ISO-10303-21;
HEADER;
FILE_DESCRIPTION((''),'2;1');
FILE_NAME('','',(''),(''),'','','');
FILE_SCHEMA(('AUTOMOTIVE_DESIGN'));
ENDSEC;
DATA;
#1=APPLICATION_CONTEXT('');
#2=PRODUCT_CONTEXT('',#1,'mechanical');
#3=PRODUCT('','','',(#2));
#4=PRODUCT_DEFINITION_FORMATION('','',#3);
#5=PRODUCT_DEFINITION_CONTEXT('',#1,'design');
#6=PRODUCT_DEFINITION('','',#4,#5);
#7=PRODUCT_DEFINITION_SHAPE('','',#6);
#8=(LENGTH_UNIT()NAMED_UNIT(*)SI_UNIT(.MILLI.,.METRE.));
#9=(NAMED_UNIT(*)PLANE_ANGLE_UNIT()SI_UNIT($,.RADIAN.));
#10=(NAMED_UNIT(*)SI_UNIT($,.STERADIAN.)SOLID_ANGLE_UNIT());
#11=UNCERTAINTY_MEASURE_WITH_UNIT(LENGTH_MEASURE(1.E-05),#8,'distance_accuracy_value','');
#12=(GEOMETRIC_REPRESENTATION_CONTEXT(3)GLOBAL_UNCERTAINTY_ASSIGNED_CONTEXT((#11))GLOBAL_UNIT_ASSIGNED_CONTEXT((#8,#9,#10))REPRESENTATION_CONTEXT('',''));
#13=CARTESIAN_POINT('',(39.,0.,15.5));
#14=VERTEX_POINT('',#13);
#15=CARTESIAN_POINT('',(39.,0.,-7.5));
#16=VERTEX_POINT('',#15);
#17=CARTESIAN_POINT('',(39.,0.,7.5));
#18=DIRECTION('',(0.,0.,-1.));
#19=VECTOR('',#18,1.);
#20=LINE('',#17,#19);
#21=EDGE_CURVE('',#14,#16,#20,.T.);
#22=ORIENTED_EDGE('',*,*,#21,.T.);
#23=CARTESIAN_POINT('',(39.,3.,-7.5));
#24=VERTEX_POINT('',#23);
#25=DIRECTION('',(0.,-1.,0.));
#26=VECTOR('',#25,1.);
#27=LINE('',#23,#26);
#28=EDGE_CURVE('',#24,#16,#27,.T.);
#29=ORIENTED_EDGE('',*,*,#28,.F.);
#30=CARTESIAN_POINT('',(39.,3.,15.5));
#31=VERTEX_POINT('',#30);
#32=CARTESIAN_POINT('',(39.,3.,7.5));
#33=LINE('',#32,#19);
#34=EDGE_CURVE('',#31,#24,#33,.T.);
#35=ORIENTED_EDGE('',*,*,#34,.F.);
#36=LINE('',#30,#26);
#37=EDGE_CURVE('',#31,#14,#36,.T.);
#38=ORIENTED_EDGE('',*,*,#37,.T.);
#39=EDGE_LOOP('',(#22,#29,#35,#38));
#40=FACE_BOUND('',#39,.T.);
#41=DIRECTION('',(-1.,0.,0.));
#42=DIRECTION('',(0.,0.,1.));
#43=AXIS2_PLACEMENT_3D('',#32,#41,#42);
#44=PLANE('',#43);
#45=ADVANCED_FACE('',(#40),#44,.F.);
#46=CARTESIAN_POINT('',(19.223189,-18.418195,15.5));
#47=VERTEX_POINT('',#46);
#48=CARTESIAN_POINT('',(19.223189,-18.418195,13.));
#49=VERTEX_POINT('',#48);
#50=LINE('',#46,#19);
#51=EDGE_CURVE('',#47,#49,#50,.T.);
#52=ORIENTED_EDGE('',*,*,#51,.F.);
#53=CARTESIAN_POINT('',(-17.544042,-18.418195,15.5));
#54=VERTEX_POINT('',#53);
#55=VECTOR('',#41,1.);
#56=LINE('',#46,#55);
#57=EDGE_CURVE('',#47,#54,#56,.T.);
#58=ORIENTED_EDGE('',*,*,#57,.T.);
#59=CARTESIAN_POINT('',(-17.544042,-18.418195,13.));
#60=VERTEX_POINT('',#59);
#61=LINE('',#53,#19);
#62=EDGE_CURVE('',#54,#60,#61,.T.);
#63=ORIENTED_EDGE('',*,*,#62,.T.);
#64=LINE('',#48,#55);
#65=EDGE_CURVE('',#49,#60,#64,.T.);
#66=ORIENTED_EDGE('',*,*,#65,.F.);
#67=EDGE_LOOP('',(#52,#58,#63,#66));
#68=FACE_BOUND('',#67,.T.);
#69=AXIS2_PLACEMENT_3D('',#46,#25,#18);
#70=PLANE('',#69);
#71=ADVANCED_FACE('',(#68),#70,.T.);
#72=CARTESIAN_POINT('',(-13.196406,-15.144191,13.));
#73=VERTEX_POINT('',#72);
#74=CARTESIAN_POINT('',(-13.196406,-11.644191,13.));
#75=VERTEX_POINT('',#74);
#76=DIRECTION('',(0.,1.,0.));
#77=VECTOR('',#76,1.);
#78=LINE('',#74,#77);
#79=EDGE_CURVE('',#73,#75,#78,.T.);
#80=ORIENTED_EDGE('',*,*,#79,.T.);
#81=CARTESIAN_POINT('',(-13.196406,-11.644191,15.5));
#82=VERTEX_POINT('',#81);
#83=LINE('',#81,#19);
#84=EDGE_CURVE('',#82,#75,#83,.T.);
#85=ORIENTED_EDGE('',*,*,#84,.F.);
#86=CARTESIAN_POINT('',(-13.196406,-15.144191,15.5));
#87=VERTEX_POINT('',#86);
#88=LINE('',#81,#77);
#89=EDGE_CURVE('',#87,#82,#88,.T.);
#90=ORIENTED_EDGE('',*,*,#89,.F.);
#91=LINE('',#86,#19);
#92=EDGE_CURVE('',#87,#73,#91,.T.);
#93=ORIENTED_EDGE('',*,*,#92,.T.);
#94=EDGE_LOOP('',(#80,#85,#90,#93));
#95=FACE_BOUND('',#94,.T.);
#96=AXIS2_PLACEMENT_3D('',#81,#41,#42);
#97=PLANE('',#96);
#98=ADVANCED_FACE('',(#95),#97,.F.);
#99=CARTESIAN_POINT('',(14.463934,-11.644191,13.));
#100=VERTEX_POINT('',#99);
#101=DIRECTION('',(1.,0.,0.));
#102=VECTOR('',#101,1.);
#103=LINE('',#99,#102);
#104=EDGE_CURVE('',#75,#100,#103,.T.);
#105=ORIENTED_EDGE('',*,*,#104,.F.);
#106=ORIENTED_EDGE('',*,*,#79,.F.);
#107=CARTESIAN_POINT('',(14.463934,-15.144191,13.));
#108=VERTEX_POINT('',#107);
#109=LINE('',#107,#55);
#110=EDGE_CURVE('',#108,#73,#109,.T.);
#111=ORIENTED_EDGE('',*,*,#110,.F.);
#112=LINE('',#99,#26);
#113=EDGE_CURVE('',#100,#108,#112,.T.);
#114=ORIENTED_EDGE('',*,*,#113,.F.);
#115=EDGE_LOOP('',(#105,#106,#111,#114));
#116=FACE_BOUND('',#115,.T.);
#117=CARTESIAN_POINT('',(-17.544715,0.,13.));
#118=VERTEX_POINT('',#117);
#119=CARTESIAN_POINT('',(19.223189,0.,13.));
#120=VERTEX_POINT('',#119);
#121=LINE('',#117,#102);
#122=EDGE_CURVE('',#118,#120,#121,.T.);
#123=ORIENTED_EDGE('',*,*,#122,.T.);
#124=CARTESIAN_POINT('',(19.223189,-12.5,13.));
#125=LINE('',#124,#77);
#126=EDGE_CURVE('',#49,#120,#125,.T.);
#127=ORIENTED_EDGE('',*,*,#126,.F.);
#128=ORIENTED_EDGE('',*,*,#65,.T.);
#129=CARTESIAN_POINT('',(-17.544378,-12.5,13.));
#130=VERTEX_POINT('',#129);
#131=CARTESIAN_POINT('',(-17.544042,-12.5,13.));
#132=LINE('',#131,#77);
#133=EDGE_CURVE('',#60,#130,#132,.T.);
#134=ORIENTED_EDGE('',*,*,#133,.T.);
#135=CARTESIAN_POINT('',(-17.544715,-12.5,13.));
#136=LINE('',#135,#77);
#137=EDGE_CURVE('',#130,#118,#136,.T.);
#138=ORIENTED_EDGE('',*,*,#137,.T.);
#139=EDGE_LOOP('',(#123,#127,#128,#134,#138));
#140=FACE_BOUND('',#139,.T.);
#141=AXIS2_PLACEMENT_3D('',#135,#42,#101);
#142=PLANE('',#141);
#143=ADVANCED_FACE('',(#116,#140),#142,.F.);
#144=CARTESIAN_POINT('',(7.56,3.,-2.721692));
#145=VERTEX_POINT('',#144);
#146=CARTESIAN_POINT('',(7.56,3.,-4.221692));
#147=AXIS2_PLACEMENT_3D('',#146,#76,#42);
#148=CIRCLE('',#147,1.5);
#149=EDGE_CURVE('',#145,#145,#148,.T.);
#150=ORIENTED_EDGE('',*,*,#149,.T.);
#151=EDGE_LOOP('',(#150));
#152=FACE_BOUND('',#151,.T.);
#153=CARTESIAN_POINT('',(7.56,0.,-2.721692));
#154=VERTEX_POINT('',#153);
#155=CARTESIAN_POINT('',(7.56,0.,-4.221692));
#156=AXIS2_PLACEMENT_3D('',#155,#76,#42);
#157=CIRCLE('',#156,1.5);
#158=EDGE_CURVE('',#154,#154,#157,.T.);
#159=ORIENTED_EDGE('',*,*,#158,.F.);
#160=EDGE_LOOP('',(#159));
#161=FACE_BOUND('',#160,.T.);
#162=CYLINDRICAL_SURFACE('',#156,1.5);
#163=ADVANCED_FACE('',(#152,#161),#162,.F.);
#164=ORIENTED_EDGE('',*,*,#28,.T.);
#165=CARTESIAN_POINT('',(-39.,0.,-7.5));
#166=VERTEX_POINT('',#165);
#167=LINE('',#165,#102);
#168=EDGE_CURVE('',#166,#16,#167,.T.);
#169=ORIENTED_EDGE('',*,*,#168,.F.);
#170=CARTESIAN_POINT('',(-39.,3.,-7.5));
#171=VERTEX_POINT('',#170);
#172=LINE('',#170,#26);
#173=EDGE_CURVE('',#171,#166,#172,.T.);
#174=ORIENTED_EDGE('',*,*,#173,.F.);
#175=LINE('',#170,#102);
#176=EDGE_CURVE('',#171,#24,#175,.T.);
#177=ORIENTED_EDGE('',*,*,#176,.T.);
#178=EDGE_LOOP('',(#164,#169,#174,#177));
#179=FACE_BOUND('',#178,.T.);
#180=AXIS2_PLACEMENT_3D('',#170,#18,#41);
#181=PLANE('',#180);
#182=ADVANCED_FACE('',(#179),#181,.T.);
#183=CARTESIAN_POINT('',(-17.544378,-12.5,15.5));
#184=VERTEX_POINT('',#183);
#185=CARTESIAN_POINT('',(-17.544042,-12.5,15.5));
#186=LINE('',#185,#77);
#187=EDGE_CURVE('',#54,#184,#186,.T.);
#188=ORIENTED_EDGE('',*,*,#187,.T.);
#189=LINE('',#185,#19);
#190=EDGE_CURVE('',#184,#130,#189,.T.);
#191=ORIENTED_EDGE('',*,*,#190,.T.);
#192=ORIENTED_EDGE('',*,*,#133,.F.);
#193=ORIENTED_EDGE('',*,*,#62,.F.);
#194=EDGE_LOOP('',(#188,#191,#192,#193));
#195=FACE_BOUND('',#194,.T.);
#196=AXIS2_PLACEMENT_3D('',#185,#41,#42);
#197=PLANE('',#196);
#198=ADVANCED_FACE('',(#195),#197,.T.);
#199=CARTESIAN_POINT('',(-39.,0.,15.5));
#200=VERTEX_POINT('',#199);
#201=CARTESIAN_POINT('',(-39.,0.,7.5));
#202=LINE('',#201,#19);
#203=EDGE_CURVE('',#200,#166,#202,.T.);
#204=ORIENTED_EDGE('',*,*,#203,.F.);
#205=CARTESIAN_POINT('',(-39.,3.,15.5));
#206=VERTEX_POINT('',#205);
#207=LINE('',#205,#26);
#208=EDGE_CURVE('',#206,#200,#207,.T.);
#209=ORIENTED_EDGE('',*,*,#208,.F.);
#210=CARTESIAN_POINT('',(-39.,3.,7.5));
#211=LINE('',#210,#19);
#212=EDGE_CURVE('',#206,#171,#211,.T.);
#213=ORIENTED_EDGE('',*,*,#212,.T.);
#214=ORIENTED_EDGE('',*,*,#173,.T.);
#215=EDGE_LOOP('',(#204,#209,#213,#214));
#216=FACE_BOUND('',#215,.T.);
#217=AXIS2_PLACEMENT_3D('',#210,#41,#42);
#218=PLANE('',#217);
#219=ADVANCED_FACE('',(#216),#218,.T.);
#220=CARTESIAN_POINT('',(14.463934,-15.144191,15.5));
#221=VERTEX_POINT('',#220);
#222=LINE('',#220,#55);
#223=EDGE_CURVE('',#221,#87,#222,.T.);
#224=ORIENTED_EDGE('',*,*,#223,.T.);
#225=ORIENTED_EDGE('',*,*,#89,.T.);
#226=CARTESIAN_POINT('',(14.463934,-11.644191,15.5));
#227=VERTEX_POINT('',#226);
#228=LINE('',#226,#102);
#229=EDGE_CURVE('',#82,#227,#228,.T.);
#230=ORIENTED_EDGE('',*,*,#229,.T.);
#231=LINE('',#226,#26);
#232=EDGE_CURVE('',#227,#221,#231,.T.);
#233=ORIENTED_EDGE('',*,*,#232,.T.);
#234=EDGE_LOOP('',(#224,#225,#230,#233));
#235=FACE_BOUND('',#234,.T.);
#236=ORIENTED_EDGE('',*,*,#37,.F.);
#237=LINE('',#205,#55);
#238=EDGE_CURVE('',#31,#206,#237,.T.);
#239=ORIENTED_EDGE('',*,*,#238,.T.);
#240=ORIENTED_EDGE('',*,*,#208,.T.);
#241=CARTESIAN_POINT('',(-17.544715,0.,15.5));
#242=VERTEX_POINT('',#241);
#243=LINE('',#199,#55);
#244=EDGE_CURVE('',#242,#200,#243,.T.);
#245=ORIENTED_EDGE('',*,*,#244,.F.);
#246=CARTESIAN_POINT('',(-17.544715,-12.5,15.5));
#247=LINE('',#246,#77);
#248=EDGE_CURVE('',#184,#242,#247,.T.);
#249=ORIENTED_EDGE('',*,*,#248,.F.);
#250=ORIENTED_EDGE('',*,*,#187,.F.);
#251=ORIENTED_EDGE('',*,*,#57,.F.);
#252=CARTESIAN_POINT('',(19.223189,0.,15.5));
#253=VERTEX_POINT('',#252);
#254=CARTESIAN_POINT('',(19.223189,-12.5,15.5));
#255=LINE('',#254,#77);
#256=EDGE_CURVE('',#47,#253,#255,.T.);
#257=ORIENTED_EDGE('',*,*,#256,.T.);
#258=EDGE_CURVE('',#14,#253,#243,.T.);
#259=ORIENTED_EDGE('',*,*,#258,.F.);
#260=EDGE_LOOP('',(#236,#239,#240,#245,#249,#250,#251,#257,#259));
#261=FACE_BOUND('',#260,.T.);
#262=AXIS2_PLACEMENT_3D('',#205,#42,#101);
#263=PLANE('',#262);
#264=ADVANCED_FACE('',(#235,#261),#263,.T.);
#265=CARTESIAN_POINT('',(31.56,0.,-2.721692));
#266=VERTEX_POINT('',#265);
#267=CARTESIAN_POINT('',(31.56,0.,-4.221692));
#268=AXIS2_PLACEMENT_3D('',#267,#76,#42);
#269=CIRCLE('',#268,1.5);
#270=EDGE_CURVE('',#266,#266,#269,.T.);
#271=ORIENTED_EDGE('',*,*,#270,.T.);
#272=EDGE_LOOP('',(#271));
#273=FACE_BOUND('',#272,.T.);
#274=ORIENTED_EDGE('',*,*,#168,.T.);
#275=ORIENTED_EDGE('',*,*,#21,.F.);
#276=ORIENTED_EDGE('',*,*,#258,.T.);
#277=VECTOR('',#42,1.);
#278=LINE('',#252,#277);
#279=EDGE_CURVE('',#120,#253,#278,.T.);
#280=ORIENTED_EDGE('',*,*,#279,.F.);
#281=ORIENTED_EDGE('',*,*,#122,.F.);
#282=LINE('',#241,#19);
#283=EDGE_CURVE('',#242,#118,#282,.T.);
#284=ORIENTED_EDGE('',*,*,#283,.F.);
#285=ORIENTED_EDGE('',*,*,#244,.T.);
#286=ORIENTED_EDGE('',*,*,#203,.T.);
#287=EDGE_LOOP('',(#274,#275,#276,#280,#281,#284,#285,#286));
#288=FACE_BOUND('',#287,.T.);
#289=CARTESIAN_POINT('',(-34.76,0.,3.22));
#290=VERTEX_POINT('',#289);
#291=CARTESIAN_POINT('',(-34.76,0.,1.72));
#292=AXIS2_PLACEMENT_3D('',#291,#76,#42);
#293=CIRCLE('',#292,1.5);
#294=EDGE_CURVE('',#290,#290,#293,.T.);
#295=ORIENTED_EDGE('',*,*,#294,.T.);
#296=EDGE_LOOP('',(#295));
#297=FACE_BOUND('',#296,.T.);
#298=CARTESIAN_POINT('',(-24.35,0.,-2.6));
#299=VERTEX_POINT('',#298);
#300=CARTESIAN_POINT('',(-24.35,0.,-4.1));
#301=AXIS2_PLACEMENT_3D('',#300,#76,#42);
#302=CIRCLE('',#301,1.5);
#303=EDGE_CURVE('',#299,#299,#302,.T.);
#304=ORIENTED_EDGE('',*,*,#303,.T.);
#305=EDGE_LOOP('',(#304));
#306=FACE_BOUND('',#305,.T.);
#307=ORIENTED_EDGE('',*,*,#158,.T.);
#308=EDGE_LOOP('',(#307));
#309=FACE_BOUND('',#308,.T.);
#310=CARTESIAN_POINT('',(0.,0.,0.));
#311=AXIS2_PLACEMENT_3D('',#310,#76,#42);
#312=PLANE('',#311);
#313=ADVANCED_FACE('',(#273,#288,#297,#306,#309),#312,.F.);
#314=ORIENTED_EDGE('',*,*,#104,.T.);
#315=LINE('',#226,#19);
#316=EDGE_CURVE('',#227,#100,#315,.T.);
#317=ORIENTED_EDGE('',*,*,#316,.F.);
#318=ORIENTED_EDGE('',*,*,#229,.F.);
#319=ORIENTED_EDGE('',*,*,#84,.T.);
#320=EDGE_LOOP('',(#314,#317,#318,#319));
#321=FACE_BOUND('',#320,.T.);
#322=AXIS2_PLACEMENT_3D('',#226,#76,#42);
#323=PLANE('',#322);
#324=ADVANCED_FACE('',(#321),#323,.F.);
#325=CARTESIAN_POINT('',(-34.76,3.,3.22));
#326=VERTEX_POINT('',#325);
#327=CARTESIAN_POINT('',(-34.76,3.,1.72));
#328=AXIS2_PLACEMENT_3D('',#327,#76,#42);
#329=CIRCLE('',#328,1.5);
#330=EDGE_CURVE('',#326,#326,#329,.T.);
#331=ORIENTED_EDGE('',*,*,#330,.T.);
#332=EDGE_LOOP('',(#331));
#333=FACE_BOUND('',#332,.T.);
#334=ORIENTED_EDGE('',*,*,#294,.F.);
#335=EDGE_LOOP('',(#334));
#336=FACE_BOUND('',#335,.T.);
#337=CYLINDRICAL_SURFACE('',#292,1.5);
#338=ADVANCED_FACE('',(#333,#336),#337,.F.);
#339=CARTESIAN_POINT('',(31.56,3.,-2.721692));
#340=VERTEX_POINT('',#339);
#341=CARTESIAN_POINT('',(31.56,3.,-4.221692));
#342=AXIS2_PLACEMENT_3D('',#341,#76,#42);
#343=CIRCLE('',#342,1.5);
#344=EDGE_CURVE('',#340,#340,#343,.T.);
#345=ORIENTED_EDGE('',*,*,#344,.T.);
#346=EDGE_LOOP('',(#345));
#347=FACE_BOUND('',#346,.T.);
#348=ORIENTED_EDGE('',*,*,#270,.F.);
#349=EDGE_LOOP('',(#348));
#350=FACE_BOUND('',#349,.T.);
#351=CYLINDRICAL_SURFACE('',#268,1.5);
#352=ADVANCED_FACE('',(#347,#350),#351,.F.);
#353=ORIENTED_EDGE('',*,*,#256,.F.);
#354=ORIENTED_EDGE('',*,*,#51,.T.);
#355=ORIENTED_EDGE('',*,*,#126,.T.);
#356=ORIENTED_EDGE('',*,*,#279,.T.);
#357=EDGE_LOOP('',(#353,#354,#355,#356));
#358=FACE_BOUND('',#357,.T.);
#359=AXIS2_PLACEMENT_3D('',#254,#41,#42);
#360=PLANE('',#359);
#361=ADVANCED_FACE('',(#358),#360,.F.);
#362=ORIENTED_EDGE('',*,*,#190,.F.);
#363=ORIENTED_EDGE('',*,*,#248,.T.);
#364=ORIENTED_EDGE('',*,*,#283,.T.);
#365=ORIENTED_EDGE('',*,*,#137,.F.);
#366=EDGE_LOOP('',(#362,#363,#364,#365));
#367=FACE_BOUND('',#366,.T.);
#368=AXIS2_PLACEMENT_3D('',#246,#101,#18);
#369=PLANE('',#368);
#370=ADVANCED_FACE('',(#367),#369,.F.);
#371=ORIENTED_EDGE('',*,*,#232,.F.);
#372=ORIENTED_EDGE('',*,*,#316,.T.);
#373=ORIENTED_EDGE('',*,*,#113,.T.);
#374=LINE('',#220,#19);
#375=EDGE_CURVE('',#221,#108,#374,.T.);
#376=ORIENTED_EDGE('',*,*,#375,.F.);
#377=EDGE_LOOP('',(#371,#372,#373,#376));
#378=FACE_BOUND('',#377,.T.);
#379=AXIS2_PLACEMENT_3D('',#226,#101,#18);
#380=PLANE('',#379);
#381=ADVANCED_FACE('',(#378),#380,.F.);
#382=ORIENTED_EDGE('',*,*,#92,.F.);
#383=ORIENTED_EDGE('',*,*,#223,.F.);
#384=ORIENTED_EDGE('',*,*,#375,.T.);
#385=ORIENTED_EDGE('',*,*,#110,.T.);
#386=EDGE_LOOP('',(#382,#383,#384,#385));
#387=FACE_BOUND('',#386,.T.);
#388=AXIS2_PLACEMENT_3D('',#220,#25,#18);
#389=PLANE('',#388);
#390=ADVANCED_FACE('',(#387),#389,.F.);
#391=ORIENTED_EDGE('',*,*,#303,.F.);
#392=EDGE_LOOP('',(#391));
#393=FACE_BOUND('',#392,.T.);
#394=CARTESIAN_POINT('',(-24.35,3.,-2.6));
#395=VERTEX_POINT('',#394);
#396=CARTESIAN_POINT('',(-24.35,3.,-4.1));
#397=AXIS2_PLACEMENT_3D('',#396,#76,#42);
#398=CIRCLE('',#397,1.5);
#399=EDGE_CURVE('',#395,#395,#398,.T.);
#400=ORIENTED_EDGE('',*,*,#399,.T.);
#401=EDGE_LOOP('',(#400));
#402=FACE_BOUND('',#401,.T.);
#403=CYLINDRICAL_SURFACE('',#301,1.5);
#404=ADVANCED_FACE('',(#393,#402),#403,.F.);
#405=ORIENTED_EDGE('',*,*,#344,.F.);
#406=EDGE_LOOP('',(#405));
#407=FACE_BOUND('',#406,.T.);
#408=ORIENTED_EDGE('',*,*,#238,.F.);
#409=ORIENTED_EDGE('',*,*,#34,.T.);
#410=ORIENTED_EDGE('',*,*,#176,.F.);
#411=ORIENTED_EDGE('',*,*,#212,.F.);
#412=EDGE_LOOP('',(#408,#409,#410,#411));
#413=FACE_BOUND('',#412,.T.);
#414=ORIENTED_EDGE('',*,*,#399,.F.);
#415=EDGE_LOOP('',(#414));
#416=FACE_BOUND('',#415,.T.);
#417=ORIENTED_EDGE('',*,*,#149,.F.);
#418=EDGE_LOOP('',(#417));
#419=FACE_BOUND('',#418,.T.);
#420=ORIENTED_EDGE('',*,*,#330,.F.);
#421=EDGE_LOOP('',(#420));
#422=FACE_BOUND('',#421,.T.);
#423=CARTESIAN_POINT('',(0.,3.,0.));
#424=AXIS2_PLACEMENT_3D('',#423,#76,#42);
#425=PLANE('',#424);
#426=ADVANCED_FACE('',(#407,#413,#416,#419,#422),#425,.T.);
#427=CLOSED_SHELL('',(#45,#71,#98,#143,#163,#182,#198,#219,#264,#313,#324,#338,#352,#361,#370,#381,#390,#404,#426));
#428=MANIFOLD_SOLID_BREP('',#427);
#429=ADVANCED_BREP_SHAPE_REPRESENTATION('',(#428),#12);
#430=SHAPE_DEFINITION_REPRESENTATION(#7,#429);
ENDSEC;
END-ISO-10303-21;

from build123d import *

# Parameters (mm, degrees)
SKETCH_1_W                = 78
SKETCH_1_H                = 15
EXTRUDE_1_DEPTH           = 3
SKETCH_3_R                = 1.5
CUT_EXTRUDE_1_DEPTH       = 3
SKETCH_4_R                = 6
EXTRUDE_2_DEPTH           = 18
SKETCH_5_R                = 4.5
CUT_EXTRUDE_2_DEPTH       = 21
F_2_0MM_2_D               = 3
F_2_0MM_2_DEPTH           = 4.5
F_2_0MM_2_TIP             = 1.5
F_2_0MM_2_ON_FACE_2_D     = 3
F_2_0MM_2_ON_FACE_2_DEPTH = 4.5
F_2_0MM_2_ON_FACE_2_TIP   = 1.5
SKETCH_10_W               = 6
SKETCH_10_H               = 10
CUT_EXTRUDE_3_DEPTH       = 7
SKETCH_13_W               = 19.835687411
SKETCH_13_H               = 21.610205193
CUT_EXTRUDE_4_DEPTH       = 20
SKETCH_14_W               = 11.523038103
SKETCH_14_H               = 10.49031299
EXTRUDE_3_DEPTH           = 3
SKETCH_18_W               = 78
SKETCH_18_H               = 8
EXTRUDE_4_DEPTH           = 3
SKETCH_19_W               = 36.767904102
SKETCH_19_H               = 2.5
EXTRUDE_5_DEPTH           = 12.5
SKETCH_23_R               = 1.65
CUT_EXTRUDE_6_DEPTH       = 12.5
SKETCH_25_W               = 4.236607592
SKETCH_25_H               = 5.36409187
EXTRUDE_7_DEPTH           = 2.5
SKETCH_26_R               = 1.6
CUT_EXTRUDE_7_DEPTH       = 2.5
SKETCH_27_W               = 21.346012392
SKETCH_27_H               = 6.594354882
EXTRUDE_8_DEPTH           = 2.5
SKETCH_28_W               = 36.767231154
SKETCH_28_H               = 5.91819544
EXTRUDE_9_DEPTH           = 2.5
SKETCH_29_W               = 27.660340415
SKETCH_29_H               = 3.5
CUT_EXTRUDE_9_DEPTH       = 2.5


with BuildPart() as part:
    # 草图1 → 凸台-拉伸1 (new body)
    with BuildSketch(Plane(origin=(0, 0, 0), x_dir=(1, 0, 0), z_dir=(0, 1, 0))):
        Rectangle(SKETCH_1_W, SKETCH_1_H)
    extrude(amount=EXTRUDE_1_DEPTH)

    # 草图3 → 切除-拉伸1 (cut)
    with BuildSketch(Plane(origin=(0, 3, 0), x_dir=(1, 0, 0), z_dir=(0, 1, 0))):
        with Locations(Location((-34.76, -1.72, 0), (0, 0, 270))):
            Circle(SKETCH_3_R)
        with Locations(Location((-24.35, 4.1, 0), (0, 0, 270))):
            Circle(SKETCH_3_R)
        with Locations(Location((31.56, 4.221692081, 0), (0, 0, 270))):
            Circle(SKETCH_3_R)
        with Locations(Location((7.56, 4.221692081, 0), (0, 0, 270))):
            Circle(SKETCH_3_R)
    extrude(amount=-CUT_EXTRUDE_1_DEPTH, mode=Mode.SUBTRACT)

    # 草图4 → 凸台-拉伸2 (add)
    with BuildSketch(Plane(origin=(0, 3, 0), x_dir=(1, 0, 0), z_dir=(0, 1, 0))):
        with Locations(Location((-3, -1.234165229, 0), (0, 0, 270))):
            Circle(SKETCH_4_R)
    extrude(amount=EXTRUDE_2_DEPTH)

    # 草图5 → 切除-拉伸2 (cut)
    with BuildSketch(Plane(origin=(0, 21, 0), x_dir=(1, 0, 0), z_dir=(0, 1, 0))):
        with Locations(Location((-3, -1.234165229, 0), (0, 0, 270))):
            Circle(SKETCH_5_R)
    extrude(amount=-CUT_EXTRUDE_2_DEPTH, mode=Mode.SUBTRACT)

    # Ø2.0mm 暗销孔2
    with Locations(Plane(origin=(-7.901331048, 17.342107422, 4.694938836), x_dir=(-0.576795601176, 0, -0.816888507977), z_dir=(-0.816888507977, 0, 0.576795601176))):
        with Locations((0, 0)):
            Hole(F_2_0MM_2_D / 2, depth=F_2_0MM_2_DEPTH)
            with Locations((0, 0, -(F_2_0MM_2_DEPTH + F_2_0MM_2_TIP / 2))):  # 90° drill point
                Cone(0, F_2_0MM_2_D / 2, F_2_0MM_2_TIP, mode=Mode.SUBTRACT)

    # Ø2.0mm 暗销孔2 on face 2
    with Locations(Plane(origin=(1.071764877, 17.164817099, 5.641061052), x_dir=(0.734483043181, 0, -0.678627039897), z_dir=(0.678627039897, 0, 0.734483043181))):
        with Locations((0, 0)):
            Hole(F_2_0MM_2_ON_FACE_2_D / 2, depth=F_2_0MM_2_ON_FACE_2_DEPTH)
            with Locations((0, 0, -(F_2_0MM_2_ON_FACE_2_DEPTH + F_2_0MM_2_ON_FACE_2_TIP / 2))):  # 90° drill point
                Cone(0, F_2_0MM_2_ON_FACE_2_D / 2, F_2_0MM_2_ON_FACE_2_TIP, mode=Mode.SUBTRACT)

    # 草图10 → 切除-拉伸3 (cut)
    with BuildSketch(Plane(origin=(0, 0, -7.5), x_dir=(-1, 0, 0), z_dir=(0, 0, -1))):
        with Locations((3, 8)):
            Rectangle(SKETCH_10_W, SKETCH_10_H)
    extrude(amount=-CUT_EXTRUDE_3_DEPTH, mode=Mode.SUBTRACT)

    # 草图13 → 切除-拉伸4 (cut)
    with BuildSketch(Plane(origin=(0, 0, -7.5), x_dir=(-1, 0, 0), z_dir=(0, 0, -1))):
        with Locations((3.314421038, 13.805102597)):
            Rectangle(SKETCH_13_W, SKETCH_13_H)
    extrude(amount=-CUT_EXTRUDE_4_DEPTH, mode=Mode.SUBTRACT)

    # 草图14 → 凸台-拉伸3 (add)
    with BuildSketch(Plane(origin=(0, 3, 0), x_dir=(1, 0, 0), z_dir=(0, 1, 0))):
        with Locations((-2.989467433, -1.263493391)):
            Rectangle(SKETCH_14_W, SKETCH_14_H)
    extrude(amount=-EXTRUDE_3_DEPTH)

    # 草图18 → 凸台-拉伸4 (add)
    with BuildSketch(Plane.XZ):
        with Locations((0, 11.5)):
            Rectangle(SKETCH_18_W, SKETCH_18_H)
    extrude(amount=-EXTRUDE_4_DEPTH)

    # 草图19 → 凸台-拉伸5 (add)
    with BuildSketch(Plane.XZ):
        with Locations((0.839237194, 14.25)):
            Rectangle(SKETCH_19_W, SKETCH_19_H)
    extrude(amount=EXTRUDE_5_DEPTH)

    # 草图23 → 切除-拉伸6 (cut)
    with BuildSketch(Plane(origin=(0, 0, 13), x_dir=(-1, 0, 0), z_dir=(0, 0, -1))):
        with Locations((-8.603189245, -6.05592298)):
            Circle(SKETCH_23_R)
        with Locations((2.596810755, -6.05592298)):
            Circle(SKETCH_23_R)
    extrude(amount=-CUT_EXTRUDE_6_DEPTH, mode=Mode.SUBTRACT)

    # 草图25 → 凸台-拉伸7 (add)
    with BuildSketch(Plane(origin=(0, 0, 13), x_dir=(-1, 0, 0), z_dir=(0, 0, -1))):
        with Locations((2.330668631, -6.426480946)):
            Rectangle(SKETCH_25_W, SKETCH_25_H)
    extrude(amount=-EXTRUDE_7_DEPTH)

    # 草图26 → 切除-拉伸7 (cut)
    with BuildSketch(Plane(origin=(0, 0, 13), x_dir=(-1, 0, 0), z_dir=(0, 0, -1))):
        with Locations((4.196810755, -6.05592298)):
            Circle(SKETCH_26_R)
    extrude(amount=-CUT_EXTRUDE_7_DEPTH, mode=Mode.SUBTRACT)

    # 草图27 → 凸台-拉伸8 (add)
    with BuildSketch(Plane(origin=(0, 0, 13), x_dir=(-1, 0, 0), z_dir=(0, 0, -1))):
        with Locations((-2.379316694, -6.691741876)):
            Rectangle(SKETCH_27_W, SKETCH_27_H)
    extrude(amount=-EXTRUDE_8_DEPTH)

    # 草图28 → 凸台-拉伸9 (add)
    with BuildSketch(Plane(origin=(0, 0, 13), x_dir=(-1, 0, 0), z_dir=(0, 0, -1))):
        with Locations((-0.839573668, -15.45909772)):
            Rectangle(SKETCH_28_W, SKETCH_28_H)
    extrude(amount=-EXTRUDE_9_DEPTH)

    # 草图29 → 切除-拉伸9 (cut)
    with BuildSketch(Plane(origin=(0, 0, 13), x_dir=(-1, 0, 0), z_dir=(0, 0, -1))):
        with Locations((-0.633763758, -13.394190827)):
            Rectangle(SKETCH_29_W, SKETCH_29_H)
    extrude(amount=-CUT_EXTRUDE_9_DEPTH, mode=Mode.SUBTRACT)


solid = part.part
